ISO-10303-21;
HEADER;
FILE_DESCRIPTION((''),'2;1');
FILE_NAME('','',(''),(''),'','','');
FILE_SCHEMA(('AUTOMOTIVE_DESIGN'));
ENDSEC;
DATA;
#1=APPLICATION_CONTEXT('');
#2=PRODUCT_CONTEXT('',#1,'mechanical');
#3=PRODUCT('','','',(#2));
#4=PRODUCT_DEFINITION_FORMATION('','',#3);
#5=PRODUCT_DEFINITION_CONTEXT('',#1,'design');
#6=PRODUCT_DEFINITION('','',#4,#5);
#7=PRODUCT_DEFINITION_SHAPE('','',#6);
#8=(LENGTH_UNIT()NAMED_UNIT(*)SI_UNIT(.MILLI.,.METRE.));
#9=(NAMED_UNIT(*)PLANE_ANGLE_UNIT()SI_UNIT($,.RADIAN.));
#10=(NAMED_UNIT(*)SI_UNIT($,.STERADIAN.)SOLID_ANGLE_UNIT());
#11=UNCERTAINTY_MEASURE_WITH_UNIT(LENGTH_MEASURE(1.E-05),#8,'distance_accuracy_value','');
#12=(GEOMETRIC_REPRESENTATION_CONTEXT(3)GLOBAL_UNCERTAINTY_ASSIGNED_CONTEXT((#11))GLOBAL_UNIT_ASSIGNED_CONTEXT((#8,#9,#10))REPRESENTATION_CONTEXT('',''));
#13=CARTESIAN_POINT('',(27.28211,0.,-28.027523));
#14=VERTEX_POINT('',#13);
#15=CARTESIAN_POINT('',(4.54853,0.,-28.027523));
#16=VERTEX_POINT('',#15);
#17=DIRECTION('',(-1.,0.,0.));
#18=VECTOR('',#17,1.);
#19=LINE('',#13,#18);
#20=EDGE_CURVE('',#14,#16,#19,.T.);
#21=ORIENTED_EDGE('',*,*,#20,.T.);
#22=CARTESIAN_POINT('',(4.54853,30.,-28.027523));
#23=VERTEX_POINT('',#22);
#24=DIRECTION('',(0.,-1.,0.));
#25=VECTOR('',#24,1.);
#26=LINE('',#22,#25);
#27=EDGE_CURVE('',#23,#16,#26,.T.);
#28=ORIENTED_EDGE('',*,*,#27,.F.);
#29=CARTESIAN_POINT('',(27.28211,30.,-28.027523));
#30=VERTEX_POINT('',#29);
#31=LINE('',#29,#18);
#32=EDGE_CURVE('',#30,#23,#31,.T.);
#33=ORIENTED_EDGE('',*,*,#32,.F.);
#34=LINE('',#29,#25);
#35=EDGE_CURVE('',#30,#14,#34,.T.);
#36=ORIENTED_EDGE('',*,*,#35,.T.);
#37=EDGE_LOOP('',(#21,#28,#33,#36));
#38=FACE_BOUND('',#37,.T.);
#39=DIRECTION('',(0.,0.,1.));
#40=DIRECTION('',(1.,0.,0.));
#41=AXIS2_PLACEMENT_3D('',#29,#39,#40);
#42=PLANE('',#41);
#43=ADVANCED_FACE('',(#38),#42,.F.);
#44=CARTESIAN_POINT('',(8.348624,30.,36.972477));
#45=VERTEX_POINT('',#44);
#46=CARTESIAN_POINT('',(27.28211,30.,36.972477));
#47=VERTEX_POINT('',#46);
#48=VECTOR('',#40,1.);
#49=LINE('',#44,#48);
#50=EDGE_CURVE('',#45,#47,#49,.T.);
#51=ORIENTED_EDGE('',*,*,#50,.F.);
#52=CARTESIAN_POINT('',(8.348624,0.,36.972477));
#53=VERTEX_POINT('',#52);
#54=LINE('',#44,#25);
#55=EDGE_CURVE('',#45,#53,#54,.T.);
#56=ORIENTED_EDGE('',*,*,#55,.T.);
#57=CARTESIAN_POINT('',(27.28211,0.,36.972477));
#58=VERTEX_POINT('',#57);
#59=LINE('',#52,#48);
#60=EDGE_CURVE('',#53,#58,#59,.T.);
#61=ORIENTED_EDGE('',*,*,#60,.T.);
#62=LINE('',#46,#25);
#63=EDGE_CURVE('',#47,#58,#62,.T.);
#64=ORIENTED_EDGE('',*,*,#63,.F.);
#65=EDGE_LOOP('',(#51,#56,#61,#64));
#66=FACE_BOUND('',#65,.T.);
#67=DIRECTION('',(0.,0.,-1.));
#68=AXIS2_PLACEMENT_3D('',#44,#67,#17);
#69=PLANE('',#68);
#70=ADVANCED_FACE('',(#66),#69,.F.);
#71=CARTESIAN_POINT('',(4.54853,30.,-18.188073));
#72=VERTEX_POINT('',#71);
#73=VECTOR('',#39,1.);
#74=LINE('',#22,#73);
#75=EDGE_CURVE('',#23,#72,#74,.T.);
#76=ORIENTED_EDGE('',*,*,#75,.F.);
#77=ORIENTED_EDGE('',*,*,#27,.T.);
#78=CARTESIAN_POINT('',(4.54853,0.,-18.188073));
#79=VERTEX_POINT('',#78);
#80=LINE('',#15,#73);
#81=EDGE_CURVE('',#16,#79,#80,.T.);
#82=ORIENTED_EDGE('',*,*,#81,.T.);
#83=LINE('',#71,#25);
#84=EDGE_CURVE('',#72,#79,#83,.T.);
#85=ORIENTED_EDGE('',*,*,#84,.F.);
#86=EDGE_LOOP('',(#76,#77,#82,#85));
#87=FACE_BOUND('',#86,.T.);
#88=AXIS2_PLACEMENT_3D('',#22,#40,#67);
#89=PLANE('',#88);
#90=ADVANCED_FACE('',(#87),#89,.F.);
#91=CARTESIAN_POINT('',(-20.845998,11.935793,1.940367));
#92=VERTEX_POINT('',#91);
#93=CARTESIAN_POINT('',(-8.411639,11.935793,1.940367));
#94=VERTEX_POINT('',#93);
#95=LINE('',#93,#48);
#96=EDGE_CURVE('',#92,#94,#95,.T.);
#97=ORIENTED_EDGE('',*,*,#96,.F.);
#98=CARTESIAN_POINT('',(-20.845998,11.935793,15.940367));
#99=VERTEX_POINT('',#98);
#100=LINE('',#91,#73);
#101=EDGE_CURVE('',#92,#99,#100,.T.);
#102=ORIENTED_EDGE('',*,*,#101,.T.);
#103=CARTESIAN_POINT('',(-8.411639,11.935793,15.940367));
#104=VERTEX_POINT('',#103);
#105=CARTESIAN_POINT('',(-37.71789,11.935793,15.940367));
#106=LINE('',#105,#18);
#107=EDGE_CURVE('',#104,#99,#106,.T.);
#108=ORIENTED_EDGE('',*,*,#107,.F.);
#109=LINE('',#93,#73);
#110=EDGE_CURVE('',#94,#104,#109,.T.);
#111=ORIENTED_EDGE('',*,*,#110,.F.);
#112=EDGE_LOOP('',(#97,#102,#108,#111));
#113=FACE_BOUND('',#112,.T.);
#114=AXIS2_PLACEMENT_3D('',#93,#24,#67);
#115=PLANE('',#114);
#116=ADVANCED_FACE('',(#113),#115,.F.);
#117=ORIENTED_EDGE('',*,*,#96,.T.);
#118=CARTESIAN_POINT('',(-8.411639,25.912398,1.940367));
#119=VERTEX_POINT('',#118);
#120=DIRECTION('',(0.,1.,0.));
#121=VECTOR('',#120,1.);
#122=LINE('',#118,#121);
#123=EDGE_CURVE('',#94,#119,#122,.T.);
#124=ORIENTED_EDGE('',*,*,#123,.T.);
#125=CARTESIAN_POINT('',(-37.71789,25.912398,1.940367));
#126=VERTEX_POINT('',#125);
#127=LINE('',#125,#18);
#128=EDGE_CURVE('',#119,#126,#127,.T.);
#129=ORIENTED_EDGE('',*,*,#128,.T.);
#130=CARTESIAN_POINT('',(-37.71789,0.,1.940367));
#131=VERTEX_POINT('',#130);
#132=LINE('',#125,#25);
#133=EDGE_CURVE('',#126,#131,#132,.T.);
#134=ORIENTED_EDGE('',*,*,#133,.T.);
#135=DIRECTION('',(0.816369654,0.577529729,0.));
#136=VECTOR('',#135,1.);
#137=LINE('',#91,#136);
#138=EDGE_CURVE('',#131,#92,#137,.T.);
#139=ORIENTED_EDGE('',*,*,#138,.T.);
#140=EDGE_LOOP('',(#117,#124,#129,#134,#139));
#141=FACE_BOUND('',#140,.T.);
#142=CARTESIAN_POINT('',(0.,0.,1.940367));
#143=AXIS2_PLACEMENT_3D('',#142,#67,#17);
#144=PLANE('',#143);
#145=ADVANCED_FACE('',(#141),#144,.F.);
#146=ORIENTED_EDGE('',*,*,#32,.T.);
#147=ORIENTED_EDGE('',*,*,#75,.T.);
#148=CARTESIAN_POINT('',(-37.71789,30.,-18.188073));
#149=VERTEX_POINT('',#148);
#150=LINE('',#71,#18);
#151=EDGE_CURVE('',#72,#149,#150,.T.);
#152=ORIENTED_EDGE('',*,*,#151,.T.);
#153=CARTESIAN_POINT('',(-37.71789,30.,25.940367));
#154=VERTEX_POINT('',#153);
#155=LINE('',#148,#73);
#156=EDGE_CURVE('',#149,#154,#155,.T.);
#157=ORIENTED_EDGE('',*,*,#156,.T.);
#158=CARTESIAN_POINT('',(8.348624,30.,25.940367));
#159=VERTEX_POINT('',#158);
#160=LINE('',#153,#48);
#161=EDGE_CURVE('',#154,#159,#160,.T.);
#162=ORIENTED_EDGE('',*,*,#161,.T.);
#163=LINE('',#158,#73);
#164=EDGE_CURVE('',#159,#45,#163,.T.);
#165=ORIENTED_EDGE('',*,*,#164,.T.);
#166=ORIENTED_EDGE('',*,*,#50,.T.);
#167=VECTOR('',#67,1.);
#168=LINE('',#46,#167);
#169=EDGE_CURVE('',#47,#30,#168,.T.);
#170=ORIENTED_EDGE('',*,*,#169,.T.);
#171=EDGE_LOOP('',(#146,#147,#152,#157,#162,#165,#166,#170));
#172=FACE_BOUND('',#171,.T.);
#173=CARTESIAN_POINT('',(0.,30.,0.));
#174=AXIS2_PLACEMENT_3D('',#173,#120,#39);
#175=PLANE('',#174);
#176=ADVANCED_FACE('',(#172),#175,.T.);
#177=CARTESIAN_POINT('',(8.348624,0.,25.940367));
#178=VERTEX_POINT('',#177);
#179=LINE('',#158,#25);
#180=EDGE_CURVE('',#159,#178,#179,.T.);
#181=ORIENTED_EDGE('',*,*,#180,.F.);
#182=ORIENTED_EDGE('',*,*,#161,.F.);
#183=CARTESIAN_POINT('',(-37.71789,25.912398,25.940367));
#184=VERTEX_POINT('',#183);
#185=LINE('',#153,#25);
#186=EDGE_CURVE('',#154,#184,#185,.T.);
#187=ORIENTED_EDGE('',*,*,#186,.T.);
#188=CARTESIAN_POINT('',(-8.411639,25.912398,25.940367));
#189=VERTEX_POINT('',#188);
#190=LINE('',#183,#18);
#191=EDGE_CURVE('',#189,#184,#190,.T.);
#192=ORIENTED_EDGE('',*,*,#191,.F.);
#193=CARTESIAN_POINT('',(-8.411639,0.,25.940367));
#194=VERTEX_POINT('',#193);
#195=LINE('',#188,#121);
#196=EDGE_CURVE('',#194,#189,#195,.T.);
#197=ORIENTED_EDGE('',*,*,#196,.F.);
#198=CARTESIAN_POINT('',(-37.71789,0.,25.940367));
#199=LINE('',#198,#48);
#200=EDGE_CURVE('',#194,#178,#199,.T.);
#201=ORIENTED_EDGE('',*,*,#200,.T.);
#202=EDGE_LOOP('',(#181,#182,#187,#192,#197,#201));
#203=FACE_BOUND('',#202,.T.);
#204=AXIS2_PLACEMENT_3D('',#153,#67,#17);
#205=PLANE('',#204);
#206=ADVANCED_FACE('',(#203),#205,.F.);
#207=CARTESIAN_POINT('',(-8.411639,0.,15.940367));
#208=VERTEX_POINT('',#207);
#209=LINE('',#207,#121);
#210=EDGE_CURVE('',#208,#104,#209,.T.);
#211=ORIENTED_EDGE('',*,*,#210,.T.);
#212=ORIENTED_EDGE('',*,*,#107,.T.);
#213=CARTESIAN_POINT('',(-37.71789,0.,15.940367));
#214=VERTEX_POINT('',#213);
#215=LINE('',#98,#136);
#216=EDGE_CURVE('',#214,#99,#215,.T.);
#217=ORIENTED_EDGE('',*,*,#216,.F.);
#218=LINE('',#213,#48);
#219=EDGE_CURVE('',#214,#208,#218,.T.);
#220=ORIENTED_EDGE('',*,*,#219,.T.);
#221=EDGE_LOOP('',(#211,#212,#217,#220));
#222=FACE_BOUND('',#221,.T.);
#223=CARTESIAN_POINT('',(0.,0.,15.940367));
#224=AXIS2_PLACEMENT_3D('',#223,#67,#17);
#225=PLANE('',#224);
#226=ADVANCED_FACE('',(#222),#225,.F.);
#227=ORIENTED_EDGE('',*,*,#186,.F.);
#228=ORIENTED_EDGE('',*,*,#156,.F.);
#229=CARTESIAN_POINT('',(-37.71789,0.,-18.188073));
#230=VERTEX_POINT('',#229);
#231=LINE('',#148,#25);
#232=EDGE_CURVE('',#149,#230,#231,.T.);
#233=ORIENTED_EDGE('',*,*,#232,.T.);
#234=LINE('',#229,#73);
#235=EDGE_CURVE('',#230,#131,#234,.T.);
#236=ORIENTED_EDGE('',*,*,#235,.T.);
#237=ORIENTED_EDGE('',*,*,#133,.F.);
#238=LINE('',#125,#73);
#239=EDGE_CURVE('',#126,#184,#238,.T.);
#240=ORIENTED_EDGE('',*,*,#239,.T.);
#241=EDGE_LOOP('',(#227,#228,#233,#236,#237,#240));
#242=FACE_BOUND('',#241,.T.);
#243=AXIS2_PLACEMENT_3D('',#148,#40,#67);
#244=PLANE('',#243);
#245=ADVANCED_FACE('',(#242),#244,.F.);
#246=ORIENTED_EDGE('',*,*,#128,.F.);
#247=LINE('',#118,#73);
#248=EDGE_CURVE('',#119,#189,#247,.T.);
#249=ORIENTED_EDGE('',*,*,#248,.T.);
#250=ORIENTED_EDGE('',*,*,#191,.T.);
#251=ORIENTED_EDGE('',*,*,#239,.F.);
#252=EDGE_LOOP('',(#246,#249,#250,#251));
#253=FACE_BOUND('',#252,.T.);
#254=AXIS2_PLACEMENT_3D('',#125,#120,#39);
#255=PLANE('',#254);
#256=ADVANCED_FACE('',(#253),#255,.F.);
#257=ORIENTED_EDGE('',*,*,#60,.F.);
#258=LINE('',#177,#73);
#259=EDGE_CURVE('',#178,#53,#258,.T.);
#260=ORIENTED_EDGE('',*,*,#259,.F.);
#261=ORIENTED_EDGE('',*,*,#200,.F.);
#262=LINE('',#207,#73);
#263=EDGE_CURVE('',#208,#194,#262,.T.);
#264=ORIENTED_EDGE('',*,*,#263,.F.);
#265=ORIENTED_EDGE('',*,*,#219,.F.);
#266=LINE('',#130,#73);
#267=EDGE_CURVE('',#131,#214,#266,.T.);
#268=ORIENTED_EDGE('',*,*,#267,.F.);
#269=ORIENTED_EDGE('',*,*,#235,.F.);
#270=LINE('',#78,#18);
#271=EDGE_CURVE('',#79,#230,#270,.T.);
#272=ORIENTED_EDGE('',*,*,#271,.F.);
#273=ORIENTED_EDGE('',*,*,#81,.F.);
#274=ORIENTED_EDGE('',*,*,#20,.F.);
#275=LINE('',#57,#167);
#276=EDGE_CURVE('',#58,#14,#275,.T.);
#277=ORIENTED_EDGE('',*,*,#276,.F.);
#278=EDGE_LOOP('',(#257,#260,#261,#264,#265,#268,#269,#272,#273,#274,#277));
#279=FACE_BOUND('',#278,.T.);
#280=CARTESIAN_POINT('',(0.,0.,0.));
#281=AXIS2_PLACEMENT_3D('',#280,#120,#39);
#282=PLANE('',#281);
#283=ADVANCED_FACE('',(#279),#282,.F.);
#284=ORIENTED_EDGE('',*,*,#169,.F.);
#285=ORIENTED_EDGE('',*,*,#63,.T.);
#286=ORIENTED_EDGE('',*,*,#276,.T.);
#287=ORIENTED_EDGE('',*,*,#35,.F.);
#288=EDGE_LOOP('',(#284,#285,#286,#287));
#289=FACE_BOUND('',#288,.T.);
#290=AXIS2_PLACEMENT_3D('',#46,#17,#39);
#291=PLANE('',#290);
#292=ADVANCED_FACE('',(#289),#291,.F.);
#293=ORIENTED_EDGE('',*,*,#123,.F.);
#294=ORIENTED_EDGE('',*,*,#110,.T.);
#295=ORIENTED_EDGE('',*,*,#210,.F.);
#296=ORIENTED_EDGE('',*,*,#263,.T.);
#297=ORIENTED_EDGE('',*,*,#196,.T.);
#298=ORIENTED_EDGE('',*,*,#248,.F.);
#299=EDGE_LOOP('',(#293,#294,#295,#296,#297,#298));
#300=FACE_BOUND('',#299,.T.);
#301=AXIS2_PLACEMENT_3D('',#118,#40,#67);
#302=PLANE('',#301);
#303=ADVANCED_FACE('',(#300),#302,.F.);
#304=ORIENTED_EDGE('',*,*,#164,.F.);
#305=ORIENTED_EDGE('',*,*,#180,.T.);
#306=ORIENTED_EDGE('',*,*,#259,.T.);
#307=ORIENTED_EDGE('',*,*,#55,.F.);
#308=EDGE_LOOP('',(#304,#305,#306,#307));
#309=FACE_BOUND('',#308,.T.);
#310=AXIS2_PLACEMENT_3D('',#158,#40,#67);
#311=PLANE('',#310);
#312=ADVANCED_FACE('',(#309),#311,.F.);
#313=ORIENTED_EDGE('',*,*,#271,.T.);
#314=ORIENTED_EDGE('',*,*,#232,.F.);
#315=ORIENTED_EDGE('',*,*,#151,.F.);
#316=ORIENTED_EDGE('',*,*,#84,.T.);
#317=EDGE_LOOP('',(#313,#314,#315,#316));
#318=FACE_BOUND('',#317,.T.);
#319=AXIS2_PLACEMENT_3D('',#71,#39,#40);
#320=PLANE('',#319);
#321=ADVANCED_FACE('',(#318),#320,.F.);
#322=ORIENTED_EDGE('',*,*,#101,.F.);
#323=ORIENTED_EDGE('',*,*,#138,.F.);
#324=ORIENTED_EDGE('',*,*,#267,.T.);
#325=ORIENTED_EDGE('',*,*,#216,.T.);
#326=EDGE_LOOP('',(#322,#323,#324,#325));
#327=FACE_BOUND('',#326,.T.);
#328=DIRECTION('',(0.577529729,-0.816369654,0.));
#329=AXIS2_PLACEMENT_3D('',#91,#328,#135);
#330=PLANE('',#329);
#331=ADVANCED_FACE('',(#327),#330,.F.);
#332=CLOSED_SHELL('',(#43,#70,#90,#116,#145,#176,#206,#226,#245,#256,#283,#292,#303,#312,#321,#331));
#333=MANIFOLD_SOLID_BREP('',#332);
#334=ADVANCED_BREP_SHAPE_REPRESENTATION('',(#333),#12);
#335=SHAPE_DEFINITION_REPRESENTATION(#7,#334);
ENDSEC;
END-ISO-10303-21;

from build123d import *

# Parameters (mm, degrees)
EXTRUDE_1_DEPTH     = 30
CUT_EXTRUDE_1_DEPTH = 24
SKETCH_3_W          = 29.306250819
SKETCH_3_H          = 11.935792743
CUT_EXTRUDE_2_DEPTH = 10


with BuildPart() as part:
    # 草图1 → 凸台-拉伸1 (new body)
    with BuildSketch(Plane(origin=(0, 0, 0), x_dir=(1, 0, 0), z_dir=(0, 1, 0))):
        Polygon((-37.717889908, 18.188073394), (-37.717889908, -25.940366972), (8.348623853, -25.940366972), (8.348623853, -36.972477064), (27.282110092, -36.972477064), (27.282110092, 28.027522936), (4.548530182, 28.027522936), (4.548530182, 18.188073394), align=None)
    extrude(amount=EXTRUDE_1_DEPTH)

    # 草图2 → 切除-拉伸1 (cut)
    with BuildSketch(Plane.XY.offset(25.940366972)):
        Polygon((-37.717889908, 25.912398035), (-8.411639089, 25.912398035), (-8.411639089, 11.935792743), (-20.845998279, 11.935792743), (-37.717889908, 0), align=None)
    extrude(amount=-CUT_EXTRUDE_1_DEPTH, mode=Mode.SUBTRACT)

    # 草图3 → 切除-拉伸2 (cut)
    with BuildSketch(Plane.XY.offset(25.940366972)):
        with Locations((-23.064764499, 5.967896372)):
            Rectangle(SKETCH_3_W, SKETCH_3_H)
    extrude(amount=-CUT_EXTRUDE_2_DEPTH, mode=Mode.SUBTRACT)


solid = part.part
